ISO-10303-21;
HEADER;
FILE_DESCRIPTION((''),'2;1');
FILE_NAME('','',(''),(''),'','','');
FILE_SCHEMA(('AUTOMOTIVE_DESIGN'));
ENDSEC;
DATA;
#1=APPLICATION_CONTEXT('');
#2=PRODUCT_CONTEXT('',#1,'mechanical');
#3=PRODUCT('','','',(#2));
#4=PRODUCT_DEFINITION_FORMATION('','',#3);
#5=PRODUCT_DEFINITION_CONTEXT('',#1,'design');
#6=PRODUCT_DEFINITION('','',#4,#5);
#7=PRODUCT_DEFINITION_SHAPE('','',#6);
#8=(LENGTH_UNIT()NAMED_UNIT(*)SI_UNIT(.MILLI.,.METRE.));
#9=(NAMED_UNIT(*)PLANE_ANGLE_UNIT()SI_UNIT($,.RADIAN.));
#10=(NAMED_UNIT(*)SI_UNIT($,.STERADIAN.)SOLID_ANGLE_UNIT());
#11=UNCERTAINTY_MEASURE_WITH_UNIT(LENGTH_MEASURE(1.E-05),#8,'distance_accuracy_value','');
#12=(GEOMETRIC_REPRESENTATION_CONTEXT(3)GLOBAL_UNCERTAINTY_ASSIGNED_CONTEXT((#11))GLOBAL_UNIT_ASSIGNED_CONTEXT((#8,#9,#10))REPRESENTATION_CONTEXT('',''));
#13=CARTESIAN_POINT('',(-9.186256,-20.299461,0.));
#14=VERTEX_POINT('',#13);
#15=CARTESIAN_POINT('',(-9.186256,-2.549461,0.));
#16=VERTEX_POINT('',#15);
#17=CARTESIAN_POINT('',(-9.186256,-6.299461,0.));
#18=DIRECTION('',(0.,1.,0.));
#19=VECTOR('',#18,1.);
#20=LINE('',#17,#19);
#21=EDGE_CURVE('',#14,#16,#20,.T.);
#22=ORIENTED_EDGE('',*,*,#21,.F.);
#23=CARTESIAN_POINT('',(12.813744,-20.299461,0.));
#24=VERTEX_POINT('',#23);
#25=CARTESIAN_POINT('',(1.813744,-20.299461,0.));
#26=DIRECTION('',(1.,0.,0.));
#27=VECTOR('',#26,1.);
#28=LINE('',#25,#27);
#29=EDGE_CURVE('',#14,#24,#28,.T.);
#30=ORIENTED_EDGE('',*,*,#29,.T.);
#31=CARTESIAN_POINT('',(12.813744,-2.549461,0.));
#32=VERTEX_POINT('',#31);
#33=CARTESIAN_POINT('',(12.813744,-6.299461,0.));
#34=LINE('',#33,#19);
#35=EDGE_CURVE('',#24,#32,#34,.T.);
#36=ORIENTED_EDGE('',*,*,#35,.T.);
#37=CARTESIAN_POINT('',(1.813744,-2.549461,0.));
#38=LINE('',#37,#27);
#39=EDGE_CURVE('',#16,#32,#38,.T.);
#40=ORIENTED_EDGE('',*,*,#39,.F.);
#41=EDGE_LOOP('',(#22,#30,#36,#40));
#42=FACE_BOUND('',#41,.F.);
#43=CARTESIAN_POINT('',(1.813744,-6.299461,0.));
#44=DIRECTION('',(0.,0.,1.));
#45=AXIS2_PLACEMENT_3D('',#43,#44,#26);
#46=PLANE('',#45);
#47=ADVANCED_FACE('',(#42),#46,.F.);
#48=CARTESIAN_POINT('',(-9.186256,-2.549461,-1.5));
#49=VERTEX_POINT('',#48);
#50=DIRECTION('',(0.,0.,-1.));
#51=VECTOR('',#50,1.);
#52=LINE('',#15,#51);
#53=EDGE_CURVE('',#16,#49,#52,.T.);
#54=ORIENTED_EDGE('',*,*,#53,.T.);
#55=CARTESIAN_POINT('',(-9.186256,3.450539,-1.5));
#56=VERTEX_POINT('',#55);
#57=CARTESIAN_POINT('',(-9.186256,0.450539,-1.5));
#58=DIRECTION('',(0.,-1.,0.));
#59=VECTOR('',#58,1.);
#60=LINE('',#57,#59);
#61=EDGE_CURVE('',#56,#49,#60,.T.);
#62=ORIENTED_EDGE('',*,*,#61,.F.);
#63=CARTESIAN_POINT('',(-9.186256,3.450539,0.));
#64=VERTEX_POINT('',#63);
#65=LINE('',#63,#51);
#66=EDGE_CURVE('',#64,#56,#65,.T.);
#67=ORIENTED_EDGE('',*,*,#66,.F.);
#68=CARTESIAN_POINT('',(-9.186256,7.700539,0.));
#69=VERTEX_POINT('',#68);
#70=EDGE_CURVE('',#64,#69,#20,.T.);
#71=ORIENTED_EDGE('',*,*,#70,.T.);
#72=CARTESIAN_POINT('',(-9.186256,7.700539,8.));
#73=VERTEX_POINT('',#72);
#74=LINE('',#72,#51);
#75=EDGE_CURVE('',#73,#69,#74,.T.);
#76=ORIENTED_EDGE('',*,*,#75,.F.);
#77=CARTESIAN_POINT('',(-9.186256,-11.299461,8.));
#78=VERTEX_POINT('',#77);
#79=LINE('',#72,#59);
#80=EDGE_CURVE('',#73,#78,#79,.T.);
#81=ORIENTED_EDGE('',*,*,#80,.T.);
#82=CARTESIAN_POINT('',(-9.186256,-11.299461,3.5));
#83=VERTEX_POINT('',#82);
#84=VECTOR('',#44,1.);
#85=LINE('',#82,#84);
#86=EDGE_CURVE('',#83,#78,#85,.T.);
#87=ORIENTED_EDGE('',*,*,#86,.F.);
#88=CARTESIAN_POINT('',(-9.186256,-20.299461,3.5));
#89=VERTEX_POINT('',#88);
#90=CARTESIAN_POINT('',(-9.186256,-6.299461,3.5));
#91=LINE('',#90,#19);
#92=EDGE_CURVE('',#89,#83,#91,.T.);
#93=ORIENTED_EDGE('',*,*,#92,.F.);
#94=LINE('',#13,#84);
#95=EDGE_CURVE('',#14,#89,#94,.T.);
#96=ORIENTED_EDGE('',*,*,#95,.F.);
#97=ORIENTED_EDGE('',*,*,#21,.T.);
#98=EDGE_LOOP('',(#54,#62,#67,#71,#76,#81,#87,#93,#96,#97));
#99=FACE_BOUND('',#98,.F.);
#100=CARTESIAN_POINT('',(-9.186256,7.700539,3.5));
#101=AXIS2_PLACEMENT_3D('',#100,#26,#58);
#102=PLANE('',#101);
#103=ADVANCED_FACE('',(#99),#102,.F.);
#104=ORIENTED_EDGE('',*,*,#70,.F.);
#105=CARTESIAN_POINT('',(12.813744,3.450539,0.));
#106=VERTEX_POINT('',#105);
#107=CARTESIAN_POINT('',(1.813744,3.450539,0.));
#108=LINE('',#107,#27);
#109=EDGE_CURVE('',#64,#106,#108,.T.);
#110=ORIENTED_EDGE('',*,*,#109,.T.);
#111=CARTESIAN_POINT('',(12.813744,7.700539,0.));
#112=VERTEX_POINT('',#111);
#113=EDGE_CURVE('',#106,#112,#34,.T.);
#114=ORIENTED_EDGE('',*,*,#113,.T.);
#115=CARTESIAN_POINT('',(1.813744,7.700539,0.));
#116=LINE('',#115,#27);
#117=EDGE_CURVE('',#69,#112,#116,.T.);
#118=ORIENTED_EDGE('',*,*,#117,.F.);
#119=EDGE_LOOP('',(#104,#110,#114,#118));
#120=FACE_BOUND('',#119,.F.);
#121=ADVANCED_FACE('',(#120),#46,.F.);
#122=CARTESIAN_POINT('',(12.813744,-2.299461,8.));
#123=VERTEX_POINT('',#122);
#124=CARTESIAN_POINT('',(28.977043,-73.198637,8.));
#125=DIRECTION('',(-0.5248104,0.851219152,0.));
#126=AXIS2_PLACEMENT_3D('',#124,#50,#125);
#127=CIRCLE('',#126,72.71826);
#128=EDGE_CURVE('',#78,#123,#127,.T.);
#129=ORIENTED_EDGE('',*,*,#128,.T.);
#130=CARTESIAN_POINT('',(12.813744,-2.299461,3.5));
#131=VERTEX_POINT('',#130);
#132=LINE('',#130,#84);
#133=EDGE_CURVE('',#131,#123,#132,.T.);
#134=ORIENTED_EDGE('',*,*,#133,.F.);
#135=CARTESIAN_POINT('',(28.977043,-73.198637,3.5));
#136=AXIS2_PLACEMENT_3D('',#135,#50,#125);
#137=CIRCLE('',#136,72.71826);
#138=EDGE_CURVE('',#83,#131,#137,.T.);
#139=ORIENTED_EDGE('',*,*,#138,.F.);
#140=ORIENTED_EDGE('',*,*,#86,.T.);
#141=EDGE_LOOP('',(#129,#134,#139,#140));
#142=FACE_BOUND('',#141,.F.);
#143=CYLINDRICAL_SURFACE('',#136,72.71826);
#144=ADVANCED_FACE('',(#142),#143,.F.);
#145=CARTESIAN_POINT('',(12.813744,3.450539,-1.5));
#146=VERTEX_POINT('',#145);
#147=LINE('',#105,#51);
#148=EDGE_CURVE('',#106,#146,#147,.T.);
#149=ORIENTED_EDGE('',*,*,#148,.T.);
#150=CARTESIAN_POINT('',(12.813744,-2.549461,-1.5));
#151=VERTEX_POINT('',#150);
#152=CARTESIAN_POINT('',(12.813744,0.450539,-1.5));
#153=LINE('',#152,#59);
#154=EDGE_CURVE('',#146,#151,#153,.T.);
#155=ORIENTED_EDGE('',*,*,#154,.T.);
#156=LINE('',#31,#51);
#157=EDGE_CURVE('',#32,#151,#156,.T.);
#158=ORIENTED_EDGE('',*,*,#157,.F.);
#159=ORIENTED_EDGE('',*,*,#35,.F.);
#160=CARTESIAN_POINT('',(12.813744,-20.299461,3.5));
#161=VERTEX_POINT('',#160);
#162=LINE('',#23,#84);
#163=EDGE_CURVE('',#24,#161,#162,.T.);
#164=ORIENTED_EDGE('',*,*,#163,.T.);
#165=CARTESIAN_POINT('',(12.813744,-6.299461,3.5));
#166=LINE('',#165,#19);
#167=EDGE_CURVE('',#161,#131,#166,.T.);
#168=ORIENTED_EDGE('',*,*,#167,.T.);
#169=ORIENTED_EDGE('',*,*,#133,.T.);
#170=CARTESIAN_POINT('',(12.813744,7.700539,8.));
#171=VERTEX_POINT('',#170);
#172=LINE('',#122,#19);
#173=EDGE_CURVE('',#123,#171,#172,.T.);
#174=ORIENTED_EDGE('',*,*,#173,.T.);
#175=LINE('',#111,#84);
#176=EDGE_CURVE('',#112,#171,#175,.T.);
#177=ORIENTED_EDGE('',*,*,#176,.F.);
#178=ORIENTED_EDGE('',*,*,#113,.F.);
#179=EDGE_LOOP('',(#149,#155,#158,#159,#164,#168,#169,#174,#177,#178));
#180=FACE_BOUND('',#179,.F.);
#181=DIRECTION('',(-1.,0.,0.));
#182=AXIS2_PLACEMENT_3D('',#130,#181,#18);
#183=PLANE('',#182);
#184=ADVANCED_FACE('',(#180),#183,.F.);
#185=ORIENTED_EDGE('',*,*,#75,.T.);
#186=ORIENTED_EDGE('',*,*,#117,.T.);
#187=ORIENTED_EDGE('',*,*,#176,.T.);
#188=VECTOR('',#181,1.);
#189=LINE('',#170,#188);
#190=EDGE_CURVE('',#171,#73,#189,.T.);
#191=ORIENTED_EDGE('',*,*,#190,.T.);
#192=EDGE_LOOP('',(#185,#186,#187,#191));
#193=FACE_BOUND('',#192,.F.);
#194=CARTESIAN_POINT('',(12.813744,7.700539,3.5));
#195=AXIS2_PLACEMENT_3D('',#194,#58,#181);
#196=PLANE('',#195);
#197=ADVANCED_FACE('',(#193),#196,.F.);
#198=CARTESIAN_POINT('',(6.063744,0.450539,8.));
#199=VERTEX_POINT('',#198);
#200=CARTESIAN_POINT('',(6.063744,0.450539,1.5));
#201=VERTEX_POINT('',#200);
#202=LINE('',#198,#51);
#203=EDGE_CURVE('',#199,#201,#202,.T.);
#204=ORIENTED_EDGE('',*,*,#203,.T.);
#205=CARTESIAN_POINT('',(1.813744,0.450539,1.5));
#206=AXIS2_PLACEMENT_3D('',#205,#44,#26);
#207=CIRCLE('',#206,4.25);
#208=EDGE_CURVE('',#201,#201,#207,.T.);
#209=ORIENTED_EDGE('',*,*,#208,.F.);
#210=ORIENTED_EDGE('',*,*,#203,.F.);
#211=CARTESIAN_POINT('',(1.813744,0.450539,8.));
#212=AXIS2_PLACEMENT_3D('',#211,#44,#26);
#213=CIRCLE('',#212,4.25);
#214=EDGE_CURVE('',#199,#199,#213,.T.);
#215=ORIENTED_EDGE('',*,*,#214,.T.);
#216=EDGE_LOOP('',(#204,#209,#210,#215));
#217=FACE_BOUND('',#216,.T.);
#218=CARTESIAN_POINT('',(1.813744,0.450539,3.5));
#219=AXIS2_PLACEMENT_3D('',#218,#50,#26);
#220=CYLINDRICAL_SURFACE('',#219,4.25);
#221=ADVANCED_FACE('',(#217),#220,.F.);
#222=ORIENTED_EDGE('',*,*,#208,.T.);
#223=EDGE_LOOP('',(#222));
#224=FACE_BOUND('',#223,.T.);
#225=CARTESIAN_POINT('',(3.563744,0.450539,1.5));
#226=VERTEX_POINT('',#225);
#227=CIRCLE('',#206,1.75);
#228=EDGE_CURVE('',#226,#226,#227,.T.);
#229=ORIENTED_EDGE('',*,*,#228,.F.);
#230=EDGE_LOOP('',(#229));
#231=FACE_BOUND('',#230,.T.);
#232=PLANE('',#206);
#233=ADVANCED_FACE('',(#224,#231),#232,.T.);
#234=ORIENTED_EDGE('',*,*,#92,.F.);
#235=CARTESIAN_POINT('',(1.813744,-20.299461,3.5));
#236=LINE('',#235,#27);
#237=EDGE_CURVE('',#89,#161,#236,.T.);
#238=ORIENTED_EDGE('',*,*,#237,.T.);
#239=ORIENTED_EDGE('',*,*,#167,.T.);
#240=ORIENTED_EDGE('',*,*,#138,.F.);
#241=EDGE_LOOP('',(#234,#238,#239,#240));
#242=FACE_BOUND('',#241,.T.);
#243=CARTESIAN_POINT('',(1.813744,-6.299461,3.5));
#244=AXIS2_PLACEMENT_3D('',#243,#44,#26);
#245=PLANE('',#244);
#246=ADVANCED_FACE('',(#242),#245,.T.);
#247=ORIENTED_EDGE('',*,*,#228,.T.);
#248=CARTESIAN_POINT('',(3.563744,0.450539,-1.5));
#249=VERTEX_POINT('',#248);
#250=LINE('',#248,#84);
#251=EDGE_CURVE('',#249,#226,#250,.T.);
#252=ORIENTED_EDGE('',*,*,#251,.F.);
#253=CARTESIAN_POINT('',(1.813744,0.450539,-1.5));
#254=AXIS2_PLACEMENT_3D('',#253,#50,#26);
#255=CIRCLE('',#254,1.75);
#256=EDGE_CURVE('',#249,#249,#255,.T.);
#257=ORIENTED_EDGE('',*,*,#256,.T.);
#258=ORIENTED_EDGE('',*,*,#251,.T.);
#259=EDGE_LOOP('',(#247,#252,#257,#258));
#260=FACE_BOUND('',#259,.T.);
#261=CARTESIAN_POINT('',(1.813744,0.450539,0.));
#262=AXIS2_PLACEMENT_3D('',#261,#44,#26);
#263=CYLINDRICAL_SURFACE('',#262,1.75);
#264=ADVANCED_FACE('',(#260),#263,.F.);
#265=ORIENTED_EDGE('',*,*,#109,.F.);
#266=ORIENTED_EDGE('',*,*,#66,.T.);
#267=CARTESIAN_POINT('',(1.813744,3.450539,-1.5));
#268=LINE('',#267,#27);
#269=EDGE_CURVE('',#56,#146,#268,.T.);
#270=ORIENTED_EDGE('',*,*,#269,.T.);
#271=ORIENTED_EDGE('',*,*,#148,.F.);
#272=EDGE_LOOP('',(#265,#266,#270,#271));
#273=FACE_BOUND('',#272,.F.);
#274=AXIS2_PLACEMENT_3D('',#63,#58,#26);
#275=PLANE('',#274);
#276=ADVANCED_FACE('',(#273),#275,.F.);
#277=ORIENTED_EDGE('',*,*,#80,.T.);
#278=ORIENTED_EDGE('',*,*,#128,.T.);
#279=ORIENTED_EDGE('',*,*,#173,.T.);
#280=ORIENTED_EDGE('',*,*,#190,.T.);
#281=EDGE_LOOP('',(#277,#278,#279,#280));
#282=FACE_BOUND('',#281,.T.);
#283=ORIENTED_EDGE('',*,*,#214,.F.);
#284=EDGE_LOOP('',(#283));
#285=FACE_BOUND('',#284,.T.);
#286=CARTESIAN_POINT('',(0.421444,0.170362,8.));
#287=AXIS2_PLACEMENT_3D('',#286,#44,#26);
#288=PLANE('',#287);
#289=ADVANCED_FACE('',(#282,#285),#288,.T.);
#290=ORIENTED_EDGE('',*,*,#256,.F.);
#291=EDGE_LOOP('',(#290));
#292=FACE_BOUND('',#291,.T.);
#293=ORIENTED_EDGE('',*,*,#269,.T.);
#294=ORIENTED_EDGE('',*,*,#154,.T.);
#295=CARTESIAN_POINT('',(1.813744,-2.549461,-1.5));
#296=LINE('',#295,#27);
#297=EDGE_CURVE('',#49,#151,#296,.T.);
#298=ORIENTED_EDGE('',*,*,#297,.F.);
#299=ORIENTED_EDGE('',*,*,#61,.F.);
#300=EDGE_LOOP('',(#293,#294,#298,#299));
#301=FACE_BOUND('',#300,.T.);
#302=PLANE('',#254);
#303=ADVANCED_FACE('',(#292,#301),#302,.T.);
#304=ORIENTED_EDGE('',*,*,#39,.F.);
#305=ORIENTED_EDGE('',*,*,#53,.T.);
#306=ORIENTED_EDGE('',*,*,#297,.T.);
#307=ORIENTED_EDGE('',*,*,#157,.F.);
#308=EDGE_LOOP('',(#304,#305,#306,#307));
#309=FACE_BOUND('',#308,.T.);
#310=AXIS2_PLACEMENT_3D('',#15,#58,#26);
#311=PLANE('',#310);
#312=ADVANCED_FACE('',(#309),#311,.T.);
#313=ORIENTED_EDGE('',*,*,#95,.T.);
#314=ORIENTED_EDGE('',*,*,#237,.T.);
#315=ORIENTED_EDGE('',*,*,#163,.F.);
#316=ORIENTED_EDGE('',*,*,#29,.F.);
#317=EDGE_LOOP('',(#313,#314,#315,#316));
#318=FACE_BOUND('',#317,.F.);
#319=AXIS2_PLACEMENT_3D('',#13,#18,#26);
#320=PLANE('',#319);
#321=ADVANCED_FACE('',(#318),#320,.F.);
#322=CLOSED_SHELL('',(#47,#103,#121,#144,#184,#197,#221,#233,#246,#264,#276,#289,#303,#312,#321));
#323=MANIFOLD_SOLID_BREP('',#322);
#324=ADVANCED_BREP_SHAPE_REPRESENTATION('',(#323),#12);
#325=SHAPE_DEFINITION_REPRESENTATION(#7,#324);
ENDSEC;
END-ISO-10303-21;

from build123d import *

# Parameters (mm, degrees)
F0_W     = 22
F0_H     = 28
F1_DEPTH = 3.5
F2_R     = 4.25
F2_R_2   = 1.75
F3_DEPTH = 2
F4_DEPTH = 3.501
F5_W     = 22
F5_H     = 6
F5_R     = 1.75
F6_DEPTH = 1.5
F7_DEPTH = 4.5


with BuildPart() as f1:
    # F0 (on Top) → F1 (new body)
    with BuildSketch(Plane.XY):
        with Locations((1.8137441948, -6.2994613256)):
            Rectangle(F0_W, F0_H)
    extrude(amount=F1_DEPTH)

    # F2 (on face) → F3 (cut)
    with BuildSketch(Plane.XY.offset(3.5)):
        with Locations((1.8137441948, 0.4505386744)):
            Circle(F2_R)
        with Locations((1.8137441948, 0.4505386744)):
            Circle(F2_R_2, mode=Mode.SUBTRACT)
    extrude(amount=-F3_DEPTH, mode=Mode.SUBTRACT)

    # F4 (cut, through all): a face of the model
    f4_faces = [f1.faces().sort_by_distance(p)[0] for p in [
        (1.8137441948, 0.4505386744, 3.5),
    ]]
    extrude(f4_faces, amount=-F4_DEPTH, mode=Mode.SUBTRACT)

    # F5 (on face) → F6 (join)
    with BuildSketch(Plane(origin=(0, 0, 0), x_dir=(1, 0, 0), z_dir=(0, 0, -1))):
        with Locations((1.8137441948, -0.4505386744)):
            Rectangle(F5_W, F5_H)
        with Locations((1.8137441948, -0.4505386744)):
            Circle(F5_R, mode=Mode.SUBTRACT)
    extrude(amount=F6_DEPTH)

    # F2 (on face) → F7 (join)
    with BuildSketch(Plane.XY.offset(3.5)):
        with BuildLine():
            ThreePointArc((-9.1862558052, -11.2994613256), (1.4435215802, -5.8944727122), (12.8137441948, -2.2994613256))
            Line((12.8137441948, -2.2994613256), (12.8137441948, 7.7005386744))
            Line((12.8137441948, 7.7005386744), (-9.1862558052, 7.7005386744))
            Line((-9.1862558052, 7.7005386744), (-9.1862558052, -11.2994613256))
        make_face()
        with Locations((1.8137441948, 0.4505386744)):
            Circle(F2_R, mode=Mode.SUBTRACT)
    extrude(amount=F7_DEPTH)


solid = f1.part
